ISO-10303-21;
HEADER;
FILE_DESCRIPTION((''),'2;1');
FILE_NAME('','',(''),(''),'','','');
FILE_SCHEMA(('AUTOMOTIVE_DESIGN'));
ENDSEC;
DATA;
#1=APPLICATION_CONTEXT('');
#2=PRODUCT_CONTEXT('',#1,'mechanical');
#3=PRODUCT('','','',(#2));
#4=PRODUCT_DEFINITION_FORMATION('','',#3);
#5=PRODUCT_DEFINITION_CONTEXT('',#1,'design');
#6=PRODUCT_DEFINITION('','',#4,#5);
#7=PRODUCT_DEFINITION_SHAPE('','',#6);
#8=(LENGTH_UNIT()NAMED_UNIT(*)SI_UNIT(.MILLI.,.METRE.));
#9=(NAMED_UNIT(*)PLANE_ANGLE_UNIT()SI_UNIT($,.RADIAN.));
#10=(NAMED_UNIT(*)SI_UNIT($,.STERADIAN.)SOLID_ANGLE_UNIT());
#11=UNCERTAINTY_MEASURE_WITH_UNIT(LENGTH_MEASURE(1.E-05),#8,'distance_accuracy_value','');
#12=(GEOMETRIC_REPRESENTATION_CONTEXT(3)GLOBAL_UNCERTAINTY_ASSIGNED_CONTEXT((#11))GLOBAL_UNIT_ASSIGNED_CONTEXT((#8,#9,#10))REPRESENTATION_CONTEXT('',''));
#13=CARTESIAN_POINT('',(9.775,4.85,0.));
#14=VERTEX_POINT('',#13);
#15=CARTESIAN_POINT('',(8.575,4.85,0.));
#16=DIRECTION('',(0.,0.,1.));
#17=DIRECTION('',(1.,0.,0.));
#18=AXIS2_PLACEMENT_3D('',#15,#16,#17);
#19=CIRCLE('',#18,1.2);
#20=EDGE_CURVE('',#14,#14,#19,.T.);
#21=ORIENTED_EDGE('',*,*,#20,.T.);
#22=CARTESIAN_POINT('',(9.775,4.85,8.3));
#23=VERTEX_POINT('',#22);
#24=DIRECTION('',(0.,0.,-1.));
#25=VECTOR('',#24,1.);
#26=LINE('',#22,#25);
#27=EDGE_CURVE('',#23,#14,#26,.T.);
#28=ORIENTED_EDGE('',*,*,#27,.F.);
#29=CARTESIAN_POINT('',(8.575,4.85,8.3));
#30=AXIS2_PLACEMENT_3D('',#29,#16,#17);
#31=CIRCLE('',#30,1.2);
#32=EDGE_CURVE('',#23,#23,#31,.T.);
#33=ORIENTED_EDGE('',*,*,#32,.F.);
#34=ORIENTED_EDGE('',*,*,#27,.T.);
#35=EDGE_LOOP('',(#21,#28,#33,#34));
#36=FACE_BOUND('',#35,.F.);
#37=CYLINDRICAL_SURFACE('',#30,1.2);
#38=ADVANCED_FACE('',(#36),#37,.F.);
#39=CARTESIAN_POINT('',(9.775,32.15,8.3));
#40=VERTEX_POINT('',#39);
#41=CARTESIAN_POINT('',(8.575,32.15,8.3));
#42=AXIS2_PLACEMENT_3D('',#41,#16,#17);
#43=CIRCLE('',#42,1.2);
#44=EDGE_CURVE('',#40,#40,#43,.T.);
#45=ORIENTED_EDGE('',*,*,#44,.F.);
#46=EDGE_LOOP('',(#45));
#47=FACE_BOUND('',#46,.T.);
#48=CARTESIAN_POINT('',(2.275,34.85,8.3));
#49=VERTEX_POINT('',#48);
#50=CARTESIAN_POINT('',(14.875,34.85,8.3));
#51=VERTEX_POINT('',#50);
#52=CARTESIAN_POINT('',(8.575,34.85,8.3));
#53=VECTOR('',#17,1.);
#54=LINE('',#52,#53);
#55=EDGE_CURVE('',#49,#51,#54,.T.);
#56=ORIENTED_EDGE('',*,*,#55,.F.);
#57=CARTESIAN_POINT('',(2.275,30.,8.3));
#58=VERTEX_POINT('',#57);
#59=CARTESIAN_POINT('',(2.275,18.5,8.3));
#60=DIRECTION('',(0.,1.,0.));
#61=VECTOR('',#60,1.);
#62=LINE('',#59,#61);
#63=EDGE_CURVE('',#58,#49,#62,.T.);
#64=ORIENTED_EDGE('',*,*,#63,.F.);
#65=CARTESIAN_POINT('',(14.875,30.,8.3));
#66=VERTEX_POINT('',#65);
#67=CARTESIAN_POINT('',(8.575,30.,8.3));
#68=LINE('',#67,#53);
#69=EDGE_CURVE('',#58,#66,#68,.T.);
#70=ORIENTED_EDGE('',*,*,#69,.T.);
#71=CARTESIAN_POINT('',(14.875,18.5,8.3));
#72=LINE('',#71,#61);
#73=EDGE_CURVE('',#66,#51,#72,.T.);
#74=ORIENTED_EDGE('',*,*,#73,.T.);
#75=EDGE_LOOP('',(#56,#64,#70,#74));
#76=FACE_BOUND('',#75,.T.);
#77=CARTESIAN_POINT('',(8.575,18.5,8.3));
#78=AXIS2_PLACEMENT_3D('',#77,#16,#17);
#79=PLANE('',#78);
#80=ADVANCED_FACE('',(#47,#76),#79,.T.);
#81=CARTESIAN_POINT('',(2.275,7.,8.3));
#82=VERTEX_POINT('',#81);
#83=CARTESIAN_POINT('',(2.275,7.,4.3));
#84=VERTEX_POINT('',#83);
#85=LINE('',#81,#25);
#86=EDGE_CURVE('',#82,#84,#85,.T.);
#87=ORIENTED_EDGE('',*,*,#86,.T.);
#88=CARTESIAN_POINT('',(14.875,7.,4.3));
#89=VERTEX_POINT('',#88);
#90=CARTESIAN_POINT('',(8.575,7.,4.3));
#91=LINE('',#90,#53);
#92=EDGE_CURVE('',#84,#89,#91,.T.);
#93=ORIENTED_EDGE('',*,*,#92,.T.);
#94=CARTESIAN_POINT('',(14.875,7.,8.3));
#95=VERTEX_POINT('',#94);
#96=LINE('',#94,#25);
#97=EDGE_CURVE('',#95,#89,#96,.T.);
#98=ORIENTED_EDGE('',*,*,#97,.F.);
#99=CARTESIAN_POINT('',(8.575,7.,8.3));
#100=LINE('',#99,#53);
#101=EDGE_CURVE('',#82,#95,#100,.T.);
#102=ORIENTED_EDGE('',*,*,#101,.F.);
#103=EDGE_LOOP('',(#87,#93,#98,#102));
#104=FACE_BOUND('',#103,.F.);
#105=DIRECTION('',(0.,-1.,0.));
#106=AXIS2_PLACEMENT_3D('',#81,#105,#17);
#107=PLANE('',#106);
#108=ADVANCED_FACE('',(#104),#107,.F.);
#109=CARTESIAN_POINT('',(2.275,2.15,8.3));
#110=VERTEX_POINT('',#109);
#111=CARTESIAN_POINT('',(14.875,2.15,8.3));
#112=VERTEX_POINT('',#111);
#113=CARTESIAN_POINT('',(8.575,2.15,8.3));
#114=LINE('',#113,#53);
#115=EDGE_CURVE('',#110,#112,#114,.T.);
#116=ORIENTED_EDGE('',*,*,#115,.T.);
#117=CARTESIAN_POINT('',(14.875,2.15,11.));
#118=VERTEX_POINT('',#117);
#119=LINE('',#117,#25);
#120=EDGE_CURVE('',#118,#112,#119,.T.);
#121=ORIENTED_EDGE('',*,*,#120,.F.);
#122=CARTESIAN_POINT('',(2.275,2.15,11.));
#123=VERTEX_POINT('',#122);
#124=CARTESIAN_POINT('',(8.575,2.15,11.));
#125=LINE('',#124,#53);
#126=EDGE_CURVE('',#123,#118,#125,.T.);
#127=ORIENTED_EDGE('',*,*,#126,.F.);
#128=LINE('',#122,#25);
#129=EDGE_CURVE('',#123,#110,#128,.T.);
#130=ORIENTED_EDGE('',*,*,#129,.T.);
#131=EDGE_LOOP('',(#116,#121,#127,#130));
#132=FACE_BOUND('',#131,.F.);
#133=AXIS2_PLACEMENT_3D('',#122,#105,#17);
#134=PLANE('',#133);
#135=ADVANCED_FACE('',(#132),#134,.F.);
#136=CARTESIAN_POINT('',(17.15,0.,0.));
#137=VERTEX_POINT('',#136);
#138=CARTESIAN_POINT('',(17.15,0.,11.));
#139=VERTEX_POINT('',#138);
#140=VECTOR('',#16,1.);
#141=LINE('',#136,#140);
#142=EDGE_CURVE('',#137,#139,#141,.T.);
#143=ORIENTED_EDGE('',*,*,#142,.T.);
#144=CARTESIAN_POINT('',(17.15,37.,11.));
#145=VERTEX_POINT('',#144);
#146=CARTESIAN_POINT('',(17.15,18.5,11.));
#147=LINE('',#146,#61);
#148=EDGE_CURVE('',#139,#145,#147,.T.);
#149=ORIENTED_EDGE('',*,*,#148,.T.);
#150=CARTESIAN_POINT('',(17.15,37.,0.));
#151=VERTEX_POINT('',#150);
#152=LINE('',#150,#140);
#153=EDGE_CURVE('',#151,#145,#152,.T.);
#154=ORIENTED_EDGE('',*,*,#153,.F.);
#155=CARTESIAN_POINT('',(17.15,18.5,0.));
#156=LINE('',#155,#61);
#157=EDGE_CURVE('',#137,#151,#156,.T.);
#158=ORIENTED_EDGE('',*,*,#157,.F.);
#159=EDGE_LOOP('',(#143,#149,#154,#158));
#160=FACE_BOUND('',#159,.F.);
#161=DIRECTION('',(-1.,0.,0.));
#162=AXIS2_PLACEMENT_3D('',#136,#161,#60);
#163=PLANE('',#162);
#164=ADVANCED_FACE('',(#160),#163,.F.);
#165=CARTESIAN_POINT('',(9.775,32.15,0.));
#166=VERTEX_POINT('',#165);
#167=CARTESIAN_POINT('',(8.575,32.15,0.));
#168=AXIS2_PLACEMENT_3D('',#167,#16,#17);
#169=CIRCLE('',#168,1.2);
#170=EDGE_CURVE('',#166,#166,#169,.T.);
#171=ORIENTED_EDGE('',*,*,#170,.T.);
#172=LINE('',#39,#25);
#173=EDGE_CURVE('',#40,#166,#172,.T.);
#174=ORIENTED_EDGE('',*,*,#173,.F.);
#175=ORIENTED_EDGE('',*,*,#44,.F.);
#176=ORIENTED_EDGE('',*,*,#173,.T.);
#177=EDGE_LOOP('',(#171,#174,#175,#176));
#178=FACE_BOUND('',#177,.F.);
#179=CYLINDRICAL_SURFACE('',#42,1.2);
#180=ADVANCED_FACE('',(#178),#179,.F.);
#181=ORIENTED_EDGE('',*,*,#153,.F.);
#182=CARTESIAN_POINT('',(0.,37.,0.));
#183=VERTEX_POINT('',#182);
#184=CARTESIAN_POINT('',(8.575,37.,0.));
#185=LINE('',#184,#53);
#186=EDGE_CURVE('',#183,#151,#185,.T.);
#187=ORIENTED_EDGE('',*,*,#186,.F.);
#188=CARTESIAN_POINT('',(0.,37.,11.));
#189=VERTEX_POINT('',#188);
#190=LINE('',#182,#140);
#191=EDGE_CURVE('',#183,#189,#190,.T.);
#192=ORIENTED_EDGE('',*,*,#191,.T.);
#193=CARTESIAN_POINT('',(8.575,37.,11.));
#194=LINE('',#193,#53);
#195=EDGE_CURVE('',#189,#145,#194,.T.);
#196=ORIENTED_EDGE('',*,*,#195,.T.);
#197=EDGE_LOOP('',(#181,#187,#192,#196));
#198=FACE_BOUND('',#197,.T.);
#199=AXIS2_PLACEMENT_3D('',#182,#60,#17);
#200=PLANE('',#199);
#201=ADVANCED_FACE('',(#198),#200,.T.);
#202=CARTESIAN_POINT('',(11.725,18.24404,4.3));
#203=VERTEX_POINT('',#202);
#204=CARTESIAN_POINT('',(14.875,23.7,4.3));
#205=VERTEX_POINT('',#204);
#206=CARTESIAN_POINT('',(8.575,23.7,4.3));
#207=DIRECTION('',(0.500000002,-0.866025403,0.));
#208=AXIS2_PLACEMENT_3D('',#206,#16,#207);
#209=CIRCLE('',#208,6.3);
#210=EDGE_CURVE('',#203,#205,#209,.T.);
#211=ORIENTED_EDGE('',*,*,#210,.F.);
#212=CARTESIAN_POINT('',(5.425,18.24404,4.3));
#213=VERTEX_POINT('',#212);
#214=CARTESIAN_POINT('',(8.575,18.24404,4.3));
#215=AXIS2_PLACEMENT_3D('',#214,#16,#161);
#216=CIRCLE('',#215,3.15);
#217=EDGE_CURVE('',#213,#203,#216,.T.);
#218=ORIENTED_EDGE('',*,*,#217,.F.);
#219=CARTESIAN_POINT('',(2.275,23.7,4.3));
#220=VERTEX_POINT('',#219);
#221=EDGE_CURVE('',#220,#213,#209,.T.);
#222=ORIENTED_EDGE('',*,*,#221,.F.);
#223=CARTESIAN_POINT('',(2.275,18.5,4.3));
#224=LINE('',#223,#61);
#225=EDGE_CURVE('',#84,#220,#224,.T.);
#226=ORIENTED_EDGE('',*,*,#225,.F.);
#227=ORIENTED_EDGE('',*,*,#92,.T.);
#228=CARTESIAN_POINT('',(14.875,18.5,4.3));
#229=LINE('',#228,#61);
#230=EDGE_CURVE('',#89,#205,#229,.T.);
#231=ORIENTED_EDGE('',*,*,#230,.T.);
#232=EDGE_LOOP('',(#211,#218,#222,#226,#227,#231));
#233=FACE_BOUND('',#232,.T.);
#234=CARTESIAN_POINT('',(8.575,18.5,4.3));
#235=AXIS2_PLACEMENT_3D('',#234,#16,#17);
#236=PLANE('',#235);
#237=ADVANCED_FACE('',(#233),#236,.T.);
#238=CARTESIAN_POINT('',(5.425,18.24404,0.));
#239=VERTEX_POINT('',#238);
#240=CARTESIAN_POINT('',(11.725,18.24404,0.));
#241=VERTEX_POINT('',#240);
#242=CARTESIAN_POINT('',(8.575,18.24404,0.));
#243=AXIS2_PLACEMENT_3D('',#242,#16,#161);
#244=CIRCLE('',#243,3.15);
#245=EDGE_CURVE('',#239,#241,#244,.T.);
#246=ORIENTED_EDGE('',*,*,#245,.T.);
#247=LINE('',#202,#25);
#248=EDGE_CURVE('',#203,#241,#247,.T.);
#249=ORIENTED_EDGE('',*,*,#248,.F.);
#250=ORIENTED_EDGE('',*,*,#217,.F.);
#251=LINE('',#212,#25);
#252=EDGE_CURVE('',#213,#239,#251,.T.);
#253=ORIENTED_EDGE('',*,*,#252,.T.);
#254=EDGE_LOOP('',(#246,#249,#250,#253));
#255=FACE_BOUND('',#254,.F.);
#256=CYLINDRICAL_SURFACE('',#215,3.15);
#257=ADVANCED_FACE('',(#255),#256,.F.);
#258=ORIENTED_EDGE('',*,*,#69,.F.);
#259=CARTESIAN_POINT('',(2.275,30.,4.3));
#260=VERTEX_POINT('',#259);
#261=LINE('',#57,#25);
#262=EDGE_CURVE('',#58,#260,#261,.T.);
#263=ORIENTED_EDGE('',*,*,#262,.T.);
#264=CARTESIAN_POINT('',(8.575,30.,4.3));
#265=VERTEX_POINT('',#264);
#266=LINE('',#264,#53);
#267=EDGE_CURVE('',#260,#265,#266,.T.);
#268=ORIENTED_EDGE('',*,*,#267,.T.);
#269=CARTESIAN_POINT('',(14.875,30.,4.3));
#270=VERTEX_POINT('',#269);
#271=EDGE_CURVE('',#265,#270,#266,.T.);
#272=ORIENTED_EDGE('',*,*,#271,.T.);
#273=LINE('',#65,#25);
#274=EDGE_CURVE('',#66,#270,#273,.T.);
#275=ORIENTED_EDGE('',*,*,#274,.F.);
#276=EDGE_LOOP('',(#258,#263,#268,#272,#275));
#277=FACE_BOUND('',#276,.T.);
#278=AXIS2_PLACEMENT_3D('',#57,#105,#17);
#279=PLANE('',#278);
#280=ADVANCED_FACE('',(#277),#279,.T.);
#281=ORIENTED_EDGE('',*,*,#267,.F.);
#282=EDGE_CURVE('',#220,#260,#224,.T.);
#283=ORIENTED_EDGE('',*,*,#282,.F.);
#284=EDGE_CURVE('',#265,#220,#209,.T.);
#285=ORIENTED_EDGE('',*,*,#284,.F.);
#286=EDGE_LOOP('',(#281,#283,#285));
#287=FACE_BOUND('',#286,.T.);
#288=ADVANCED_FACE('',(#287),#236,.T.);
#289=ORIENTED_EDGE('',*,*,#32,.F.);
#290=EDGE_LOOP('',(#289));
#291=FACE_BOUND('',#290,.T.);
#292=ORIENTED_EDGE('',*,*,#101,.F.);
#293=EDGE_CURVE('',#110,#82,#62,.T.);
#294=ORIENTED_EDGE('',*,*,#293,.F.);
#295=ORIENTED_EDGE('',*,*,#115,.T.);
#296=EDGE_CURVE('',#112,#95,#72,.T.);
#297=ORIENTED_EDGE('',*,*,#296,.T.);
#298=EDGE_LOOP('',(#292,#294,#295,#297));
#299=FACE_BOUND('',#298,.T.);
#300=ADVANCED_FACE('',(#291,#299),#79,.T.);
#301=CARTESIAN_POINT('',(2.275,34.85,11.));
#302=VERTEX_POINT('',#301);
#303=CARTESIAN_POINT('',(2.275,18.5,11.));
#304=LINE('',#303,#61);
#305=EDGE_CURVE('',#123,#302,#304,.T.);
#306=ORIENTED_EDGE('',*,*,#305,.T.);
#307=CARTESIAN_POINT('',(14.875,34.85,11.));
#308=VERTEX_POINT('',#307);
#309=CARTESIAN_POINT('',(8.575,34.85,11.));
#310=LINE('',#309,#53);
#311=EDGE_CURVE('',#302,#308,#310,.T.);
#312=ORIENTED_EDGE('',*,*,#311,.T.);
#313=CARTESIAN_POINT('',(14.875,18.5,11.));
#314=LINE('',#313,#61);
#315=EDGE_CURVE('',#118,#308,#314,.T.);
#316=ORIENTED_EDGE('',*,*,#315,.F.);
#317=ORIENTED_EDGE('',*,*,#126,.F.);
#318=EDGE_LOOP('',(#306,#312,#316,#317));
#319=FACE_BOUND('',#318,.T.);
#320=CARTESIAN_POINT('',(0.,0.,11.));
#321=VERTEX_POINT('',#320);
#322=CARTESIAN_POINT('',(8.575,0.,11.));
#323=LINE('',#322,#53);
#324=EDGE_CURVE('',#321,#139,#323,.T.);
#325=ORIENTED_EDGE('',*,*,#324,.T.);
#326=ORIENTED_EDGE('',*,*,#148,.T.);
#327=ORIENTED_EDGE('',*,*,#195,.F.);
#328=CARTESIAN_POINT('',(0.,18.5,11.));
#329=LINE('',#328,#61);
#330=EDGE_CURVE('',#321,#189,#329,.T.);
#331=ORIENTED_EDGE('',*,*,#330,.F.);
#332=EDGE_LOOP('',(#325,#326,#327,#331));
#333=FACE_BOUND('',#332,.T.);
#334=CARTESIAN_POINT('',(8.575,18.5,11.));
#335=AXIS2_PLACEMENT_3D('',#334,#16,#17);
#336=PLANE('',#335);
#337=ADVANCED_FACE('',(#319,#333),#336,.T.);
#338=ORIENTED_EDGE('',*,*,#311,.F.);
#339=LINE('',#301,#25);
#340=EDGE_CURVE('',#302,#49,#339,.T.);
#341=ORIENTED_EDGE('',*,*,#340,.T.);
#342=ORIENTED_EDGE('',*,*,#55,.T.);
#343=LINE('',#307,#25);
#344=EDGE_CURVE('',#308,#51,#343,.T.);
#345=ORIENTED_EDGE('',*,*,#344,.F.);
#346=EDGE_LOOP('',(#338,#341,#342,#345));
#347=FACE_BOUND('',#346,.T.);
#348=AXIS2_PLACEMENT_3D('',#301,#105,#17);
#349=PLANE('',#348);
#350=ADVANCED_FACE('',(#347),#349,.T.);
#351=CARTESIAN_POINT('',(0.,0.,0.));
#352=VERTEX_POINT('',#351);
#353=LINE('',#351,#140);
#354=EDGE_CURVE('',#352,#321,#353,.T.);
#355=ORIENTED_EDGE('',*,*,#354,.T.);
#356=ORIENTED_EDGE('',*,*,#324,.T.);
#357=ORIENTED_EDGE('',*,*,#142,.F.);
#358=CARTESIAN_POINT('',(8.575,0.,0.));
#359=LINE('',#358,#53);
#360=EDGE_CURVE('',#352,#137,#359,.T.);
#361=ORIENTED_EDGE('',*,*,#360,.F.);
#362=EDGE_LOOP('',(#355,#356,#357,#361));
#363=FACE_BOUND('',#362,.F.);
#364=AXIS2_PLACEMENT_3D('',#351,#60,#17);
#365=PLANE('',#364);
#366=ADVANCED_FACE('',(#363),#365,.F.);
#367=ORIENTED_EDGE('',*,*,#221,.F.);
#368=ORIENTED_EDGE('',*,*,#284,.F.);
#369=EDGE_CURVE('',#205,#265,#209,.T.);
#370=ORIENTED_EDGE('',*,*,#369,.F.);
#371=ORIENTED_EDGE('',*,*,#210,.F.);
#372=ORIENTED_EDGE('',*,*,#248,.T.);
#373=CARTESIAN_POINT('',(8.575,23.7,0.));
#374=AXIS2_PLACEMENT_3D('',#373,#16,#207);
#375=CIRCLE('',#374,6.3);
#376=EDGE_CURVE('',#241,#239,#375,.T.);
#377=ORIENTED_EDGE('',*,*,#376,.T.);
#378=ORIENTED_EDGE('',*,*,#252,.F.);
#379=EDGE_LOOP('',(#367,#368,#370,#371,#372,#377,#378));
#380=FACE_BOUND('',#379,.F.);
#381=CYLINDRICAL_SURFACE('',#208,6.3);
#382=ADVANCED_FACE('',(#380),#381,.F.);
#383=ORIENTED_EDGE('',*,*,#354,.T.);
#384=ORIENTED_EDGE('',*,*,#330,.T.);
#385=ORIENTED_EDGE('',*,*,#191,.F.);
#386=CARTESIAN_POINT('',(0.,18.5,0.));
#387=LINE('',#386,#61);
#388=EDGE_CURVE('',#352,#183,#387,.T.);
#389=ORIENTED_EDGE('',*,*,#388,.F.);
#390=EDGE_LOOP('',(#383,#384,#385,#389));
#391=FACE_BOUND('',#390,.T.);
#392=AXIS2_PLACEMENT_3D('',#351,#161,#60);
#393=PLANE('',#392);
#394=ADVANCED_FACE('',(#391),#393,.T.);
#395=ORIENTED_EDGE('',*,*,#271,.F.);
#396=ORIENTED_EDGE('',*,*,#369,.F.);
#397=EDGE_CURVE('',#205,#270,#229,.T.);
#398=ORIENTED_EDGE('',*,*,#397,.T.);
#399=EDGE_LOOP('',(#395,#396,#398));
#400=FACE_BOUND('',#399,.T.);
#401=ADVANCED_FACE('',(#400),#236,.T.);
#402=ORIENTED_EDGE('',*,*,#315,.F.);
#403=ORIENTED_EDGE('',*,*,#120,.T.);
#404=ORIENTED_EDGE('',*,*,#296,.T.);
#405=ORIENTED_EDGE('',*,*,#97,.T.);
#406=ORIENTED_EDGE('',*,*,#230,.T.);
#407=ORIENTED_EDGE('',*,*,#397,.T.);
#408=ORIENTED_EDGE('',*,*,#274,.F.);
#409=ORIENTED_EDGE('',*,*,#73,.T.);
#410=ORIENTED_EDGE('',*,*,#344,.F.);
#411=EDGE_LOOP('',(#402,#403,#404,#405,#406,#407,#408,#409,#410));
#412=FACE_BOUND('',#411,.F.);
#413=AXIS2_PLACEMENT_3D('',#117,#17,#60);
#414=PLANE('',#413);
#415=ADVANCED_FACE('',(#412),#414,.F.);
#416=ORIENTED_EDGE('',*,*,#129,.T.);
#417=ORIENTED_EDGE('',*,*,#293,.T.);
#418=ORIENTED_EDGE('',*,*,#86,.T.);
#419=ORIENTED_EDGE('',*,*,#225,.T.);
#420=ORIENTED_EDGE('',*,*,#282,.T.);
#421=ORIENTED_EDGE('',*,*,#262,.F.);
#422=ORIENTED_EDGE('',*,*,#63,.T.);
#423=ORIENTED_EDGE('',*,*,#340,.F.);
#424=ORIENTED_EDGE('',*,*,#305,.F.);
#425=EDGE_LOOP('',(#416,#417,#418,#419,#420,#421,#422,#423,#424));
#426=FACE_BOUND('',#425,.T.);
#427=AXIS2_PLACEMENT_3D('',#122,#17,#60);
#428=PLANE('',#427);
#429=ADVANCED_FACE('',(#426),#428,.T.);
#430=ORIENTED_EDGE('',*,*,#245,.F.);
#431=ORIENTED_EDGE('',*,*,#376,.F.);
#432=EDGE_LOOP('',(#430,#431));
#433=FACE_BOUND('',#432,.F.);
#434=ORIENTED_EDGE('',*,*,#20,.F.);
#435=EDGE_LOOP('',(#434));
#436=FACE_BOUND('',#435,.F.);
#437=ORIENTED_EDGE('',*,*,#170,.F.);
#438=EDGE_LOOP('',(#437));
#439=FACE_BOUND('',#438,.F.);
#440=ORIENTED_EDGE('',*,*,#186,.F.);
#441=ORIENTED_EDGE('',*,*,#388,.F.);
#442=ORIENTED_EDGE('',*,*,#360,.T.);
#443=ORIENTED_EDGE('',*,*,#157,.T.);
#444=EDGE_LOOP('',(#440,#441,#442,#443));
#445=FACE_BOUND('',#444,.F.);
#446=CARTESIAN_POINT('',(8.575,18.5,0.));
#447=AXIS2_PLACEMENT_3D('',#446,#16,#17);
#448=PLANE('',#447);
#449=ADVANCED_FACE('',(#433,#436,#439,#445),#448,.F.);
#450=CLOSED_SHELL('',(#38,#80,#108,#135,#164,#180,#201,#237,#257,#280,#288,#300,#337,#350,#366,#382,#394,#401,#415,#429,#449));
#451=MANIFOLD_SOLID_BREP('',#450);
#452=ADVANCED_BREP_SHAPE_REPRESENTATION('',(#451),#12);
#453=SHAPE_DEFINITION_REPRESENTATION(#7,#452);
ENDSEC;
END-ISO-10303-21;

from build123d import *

# Parameters (mm, degrees)
SKETCH_W        = 17.15
SKETCH_H        = 37
PAD_DEPTH       = 11
SKETCH001_W     = 12.6
SKETCH001_H     = 32.7
POCKET_DEPTH    = 2.7
SKETCH002_W     = 12.6
SKETCH002_H     = 23
POCKET001_DEPTH = 4
POCKET002_DEPTH = 4.3
SKETCH004_R     = 1.2
POCKET003_DEPTH = 8.301


with BuildPart() as part:
    # Sketch → Pad (new body)
    with BuildSketch(Plane.XY):
        with Locations((8.575, 18.5)):
            Rectangle(SKETCH_W, SKETCH_H)
    extrude(amount=PAD_DEPTH)

    # Sketch001 (on Face6 of Pad) → Pocket (cut)
    with BuildSketch(Plane.XY.offset(11)):
        with Locations((8.575, 18.5)):
            Rectangle(SKETCH001_W, SKETCH001_H)
    extrude(amount=-POCKET_DEPTH, mode=Mode.SUBTRACT)

    # Sketch002 (on Face11 of Pocket) → Pocket001 (cut)
    with BuildSketch(Plane.XY.offset(8.3)):
        with Locations((8.575, 18.5)):
            Rectangle(SKETCH002_W, SKETCH002_H)
    extrude(amount=-POCKET001_DEPTH, mode=Mode.SUBTRACT)

    # Sketch003 (on Face17 of Pocket001) → Pocket002 (cut)
    with BuildSketch(Plane.XY.offset(4.3)):
        with BuildLine():
            ThreePointArc((11.725, 18.24404), (8.575, 30), (5.425, 18.24404))
            ThreePointArc((5.425, 18.24404), (8.575, 15.09404), (11.725, 18.24404))
        make_face()
    extrude(amount=-POCKET002_DEPTH, mode=Mode.SUBTRACT)

    # Sketch004 (on Face18 of Pocket002) → Pocket003 (cut, through all)
    with BuildSketch(Plane.XY.offset(8.3)):
        with Locations((8.575, 32.15)):
            Circle(SKETCH004_R)
        with Locations((8.575, 4.85)):
            Circle(SKETCH004_R)
    extrude(amount=-POCKET003_DEPTH, mode=Mode.SUBTRACT)


solid = part.part
